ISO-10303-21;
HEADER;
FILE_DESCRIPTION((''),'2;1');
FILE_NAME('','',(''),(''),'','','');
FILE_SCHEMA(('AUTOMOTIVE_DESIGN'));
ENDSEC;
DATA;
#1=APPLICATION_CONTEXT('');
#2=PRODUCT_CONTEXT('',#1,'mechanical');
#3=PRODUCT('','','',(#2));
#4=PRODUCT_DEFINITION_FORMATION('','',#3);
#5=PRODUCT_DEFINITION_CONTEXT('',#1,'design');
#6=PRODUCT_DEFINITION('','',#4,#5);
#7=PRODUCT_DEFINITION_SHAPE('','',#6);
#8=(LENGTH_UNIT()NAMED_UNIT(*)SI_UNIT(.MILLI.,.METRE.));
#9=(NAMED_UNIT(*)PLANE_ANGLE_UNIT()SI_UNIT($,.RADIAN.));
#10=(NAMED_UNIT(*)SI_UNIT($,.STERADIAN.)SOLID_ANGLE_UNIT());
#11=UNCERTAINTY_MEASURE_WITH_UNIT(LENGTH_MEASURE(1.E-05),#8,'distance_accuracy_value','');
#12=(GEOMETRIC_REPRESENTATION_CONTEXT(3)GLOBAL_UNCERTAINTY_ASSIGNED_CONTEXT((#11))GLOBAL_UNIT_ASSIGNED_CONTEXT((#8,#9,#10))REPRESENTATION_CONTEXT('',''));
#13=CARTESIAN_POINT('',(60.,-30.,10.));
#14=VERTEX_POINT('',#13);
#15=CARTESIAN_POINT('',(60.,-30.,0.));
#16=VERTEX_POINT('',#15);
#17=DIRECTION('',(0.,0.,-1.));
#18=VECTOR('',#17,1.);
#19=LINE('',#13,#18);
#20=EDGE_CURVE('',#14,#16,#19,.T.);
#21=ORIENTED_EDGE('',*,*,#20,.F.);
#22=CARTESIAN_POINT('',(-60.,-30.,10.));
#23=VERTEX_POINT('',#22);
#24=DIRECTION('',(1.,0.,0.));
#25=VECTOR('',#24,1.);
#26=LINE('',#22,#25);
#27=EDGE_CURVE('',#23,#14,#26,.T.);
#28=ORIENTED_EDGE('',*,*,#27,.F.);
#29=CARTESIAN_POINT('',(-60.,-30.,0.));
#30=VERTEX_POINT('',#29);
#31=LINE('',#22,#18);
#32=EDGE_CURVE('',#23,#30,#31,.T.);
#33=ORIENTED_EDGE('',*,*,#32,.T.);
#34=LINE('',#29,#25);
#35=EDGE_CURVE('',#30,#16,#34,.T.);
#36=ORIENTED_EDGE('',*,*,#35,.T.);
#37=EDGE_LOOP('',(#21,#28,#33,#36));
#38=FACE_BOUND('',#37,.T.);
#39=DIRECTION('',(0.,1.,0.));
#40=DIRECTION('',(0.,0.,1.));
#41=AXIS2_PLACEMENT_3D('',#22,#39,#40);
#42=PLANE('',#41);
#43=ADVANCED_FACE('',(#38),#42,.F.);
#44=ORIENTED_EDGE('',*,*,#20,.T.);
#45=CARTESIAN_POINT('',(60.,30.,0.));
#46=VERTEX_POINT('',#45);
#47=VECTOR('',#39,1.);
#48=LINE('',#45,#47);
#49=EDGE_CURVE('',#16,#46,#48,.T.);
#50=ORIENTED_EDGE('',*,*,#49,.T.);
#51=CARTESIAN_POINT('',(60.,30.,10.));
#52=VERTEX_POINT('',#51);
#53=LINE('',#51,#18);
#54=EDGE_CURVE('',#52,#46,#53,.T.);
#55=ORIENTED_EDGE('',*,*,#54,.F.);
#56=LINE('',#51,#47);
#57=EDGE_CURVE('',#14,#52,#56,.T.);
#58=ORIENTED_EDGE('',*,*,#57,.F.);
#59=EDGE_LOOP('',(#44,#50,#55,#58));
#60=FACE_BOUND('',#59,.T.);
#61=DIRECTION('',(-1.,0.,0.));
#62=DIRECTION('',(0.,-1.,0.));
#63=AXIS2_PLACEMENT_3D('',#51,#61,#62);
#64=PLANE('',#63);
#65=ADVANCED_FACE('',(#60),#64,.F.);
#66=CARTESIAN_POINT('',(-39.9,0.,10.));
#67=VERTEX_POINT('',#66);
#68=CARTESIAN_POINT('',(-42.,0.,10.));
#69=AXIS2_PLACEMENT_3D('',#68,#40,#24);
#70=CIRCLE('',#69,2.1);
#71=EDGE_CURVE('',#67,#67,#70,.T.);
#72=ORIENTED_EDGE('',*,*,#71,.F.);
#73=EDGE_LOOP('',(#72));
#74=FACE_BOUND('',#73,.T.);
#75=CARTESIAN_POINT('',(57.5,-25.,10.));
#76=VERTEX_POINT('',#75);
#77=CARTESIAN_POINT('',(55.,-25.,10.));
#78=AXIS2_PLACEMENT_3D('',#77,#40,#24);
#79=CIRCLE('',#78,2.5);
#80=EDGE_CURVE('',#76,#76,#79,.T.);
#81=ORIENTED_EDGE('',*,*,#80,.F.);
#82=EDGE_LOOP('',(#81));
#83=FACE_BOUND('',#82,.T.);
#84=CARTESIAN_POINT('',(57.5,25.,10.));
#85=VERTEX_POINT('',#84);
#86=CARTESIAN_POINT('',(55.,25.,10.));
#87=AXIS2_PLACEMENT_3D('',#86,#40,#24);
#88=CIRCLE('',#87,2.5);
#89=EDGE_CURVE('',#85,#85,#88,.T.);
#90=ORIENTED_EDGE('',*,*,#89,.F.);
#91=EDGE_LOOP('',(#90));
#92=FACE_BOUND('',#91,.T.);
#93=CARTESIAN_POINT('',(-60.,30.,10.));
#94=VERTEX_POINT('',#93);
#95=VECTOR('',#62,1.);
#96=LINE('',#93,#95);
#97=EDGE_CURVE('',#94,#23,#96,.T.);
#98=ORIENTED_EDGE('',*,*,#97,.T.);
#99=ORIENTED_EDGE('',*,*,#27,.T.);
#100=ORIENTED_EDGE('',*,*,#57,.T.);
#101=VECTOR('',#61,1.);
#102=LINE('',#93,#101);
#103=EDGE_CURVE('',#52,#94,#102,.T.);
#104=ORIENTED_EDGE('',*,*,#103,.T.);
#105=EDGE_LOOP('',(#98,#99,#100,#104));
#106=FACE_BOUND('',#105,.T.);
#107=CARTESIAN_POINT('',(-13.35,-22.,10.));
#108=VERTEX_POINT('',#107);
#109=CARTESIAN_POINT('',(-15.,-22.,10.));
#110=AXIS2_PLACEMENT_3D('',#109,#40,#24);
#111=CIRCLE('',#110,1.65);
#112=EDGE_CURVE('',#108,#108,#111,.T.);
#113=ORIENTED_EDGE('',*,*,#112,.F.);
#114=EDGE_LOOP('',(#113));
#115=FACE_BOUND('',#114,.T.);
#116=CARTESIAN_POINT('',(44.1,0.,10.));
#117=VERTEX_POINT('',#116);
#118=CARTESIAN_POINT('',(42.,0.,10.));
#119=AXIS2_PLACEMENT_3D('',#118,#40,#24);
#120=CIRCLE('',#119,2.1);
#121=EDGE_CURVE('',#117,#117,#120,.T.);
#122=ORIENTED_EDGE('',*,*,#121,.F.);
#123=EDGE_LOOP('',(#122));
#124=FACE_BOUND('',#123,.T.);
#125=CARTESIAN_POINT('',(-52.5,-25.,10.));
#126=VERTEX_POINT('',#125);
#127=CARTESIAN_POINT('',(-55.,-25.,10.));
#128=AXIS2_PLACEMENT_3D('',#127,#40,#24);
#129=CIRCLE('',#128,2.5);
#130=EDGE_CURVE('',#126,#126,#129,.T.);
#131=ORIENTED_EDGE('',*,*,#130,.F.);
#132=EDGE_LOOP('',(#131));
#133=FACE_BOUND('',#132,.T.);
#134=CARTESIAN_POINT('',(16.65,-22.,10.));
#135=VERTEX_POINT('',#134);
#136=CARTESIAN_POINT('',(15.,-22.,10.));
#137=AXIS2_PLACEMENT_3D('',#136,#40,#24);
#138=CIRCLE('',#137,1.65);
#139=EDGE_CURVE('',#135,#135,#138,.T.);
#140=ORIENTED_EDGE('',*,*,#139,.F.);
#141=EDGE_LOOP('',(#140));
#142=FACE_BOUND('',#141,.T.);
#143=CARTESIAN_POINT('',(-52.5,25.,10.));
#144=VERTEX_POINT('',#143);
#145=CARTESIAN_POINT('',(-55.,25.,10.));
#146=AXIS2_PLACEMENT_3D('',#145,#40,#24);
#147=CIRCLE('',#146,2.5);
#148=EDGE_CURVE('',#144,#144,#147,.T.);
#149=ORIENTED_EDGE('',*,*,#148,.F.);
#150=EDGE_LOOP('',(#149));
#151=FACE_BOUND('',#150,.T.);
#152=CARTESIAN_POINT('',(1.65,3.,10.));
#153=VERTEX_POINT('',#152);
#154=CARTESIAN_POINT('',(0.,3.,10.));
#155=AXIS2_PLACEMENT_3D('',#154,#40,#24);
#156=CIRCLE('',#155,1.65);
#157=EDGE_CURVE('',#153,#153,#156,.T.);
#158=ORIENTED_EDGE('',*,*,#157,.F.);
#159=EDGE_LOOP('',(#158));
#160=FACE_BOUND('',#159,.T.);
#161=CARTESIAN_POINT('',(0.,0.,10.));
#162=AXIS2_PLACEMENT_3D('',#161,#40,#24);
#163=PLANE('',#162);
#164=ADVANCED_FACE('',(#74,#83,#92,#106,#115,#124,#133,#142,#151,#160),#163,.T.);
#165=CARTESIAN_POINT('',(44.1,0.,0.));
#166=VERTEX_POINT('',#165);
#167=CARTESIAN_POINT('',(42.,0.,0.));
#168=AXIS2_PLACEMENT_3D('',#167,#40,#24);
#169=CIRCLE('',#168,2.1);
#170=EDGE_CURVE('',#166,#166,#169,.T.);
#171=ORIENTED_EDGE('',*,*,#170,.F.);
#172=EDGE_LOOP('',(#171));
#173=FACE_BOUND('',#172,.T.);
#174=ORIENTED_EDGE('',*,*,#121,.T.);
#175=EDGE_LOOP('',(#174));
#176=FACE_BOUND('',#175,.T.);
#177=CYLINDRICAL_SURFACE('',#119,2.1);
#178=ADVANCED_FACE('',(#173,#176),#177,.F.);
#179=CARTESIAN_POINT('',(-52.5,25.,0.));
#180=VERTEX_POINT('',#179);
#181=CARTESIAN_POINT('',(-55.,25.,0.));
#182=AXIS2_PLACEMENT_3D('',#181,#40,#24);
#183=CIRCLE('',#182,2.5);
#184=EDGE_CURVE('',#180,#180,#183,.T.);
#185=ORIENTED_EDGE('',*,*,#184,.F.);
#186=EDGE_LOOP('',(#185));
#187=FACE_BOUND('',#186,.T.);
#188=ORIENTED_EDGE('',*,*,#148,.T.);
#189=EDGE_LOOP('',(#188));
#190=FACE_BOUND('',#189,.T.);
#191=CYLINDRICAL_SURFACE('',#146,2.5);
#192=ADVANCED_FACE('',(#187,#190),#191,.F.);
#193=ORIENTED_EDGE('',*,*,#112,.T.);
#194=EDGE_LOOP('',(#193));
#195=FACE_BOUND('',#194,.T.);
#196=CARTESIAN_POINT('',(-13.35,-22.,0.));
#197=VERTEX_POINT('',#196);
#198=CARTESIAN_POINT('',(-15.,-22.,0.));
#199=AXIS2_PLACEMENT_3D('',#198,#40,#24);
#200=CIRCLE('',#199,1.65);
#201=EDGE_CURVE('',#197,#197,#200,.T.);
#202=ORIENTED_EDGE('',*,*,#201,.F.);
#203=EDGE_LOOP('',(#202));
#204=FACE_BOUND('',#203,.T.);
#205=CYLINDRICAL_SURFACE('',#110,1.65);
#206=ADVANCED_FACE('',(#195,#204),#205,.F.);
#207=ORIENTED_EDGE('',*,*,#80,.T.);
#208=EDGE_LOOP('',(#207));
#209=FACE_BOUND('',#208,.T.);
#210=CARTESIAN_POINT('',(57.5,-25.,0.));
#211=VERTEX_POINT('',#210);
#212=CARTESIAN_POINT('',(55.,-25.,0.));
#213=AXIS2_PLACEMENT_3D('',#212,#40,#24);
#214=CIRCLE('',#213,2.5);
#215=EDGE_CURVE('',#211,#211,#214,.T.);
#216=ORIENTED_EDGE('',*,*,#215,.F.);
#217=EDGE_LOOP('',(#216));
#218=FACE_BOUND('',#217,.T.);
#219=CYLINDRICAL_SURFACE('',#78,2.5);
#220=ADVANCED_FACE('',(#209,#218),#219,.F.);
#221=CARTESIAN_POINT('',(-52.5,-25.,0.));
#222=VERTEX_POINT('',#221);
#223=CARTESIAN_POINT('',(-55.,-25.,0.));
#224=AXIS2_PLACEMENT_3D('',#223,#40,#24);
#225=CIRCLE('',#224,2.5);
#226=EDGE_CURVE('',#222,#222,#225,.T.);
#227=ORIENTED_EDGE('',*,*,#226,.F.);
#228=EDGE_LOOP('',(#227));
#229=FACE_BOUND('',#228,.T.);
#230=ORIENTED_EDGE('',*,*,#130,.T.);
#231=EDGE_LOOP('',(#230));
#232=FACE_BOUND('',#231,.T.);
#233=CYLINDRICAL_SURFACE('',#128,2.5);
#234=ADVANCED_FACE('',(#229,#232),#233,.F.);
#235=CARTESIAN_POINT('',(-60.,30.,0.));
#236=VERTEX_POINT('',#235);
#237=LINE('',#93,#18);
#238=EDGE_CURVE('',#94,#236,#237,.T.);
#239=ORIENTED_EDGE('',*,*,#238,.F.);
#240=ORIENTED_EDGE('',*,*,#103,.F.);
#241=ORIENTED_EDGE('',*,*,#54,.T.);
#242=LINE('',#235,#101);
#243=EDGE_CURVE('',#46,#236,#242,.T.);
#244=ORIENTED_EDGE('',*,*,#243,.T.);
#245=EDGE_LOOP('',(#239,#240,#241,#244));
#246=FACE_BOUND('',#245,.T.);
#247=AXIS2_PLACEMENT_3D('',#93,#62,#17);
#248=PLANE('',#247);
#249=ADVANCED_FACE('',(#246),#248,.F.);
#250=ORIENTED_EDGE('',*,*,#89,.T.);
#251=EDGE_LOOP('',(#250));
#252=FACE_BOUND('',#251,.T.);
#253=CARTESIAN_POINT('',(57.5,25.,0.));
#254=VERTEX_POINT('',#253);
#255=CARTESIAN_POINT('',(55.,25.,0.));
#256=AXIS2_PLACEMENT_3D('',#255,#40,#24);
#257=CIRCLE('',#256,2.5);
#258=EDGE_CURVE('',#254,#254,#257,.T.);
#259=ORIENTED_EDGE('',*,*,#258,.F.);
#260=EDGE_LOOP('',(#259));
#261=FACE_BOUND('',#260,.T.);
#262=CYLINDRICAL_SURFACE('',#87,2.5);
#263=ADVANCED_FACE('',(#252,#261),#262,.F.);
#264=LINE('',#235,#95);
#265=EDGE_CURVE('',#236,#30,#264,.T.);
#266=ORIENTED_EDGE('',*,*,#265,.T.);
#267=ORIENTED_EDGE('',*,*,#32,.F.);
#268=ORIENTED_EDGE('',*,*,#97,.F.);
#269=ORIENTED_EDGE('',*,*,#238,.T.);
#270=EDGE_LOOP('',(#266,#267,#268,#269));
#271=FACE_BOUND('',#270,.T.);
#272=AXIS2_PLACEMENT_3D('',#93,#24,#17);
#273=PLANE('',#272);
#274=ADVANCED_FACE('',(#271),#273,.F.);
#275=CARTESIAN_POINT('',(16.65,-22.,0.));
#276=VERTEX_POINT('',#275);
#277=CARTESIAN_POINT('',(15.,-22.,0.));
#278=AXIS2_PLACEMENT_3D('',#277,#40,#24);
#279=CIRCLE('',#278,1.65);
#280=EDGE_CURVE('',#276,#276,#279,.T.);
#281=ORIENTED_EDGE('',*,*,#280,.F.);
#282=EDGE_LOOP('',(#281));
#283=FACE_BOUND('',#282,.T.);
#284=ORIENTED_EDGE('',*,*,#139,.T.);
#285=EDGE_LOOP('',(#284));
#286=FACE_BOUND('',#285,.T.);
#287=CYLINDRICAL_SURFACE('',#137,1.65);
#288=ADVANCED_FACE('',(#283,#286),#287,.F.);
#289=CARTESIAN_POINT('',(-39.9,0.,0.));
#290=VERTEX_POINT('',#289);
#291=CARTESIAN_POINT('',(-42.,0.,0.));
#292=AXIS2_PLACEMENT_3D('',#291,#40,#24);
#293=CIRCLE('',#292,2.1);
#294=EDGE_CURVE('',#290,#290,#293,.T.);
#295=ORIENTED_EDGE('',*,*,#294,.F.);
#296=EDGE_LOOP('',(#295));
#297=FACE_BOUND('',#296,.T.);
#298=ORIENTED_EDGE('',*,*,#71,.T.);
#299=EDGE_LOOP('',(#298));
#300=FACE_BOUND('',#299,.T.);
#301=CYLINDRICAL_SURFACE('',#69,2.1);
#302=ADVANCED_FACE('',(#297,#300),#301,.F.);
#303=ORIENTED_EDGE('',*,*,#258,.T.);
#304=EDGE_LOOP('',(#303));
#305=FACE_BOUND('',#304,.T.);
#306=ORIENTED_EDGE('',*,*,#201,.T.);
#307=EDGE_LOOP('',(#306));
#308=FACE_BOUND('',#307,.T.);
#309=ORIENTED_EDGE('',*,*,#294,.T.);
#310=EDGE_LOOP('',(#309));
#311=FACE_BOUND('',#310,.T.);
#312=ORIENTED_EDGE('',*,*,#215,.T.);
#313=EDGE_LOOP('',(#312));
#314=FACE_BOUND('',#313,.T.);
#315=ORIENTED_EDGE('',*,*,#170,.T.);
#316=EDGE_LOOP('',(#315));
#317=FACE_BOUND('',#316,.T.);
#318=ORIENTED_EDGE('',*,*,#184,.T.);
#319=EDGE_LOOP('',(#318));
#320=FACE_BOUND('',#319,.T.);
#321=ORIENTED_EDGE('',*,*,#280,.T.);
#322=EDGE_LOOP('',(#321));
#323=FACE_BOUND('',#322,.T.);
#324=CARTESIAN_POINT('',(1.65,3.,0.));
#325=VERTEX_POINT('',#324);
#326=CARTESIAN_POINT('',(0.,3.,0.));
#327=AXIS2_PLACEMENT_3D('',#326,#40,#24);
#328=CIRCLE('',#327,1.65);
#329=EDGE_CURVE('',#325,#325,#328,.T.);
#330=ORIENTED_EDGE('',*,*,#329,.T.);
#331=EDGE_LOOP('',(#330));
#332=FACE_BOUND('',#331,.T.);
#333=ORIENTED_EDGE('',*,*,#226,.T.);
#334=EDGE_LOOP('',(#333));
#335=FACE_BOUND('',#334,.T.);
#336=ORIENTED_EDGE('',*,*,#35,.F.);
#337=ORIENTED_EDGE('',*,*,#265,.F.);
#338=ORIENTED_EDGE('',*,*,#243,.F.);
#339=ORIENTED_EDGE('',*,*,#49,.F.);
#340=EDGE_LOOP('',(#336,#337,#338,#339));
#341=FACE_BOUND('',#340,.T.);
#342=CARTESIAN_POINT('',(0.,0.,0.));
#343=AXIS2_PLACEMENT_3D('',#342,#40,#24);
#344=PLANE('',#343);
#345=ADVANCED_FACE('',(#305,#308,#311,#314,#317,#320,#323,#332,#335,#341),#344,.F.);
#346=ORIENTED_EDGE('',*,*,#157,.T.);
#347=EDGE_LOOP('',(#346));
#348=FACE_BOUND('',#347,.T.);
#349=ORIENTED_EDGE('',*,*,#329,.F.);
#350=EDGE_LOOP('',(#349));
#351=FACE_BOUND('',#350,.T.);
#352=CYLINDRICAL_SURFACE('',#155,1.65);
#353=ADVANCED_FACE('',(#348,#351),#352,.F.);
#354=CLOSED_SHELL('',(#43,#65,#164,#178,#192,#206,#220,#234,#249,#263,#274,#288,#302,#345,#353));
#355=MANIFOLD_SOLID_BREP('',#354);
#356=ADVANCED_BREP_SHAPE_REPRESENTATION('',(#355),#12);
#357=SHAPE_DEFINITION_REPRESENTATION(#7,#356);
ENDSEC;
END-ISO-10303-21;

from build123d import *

# Parameters (mm, degrees)
SKIZZE1_W                       = 120
SKIZZE1_H                       = 60
AUFSATZ_LINEAR_AUSTRAGEN1_DEPTH = 10
M6_GEWINDEBOHRUNG1_D            = 5
M5_GEWINDEBOHRUNG1_D            = 4.2
M4_GEWINDEBOHRUNG1_D            = 3.3


with BuildPart() as part:
    # Skizze1 → Aufsatz-Linear austragen1 (new body)
    with BuildSketch(Plane.XY):
        Rectangle(SKIZZE1_W, SKIZZE1_H)
    extrude(amount=AUFSATZ_LINEAR_AUSTRAGEN1_DEPTH)

    # M6 Gewindebohrung1 (through all)
    with Locations(Plane.XY.offset(10)):
        with Locations((-55, -25), (-55, 25), (55, 25), (55, -25)):
            Hole(M6_GEWINDEBOHRUNG1_D / 2)

    # M5 Gewindebohrung1 (through all)
    with Locations(Plane.XY.offset(10)):
        with Locations((-42, 0), (42, 0)):
            Hole(M5_GEWINDEBOHRUNG1_D / 2)

    # M4 Gewindebohrung1 (through all)
    with Locations(Plane.XY.offset(10)):
        with Locations((0, 3), (-15, -22), (15, -22)):
            Hole(M4_GEWINDEBOHRUNG1_D / 2)


solid = part.part
